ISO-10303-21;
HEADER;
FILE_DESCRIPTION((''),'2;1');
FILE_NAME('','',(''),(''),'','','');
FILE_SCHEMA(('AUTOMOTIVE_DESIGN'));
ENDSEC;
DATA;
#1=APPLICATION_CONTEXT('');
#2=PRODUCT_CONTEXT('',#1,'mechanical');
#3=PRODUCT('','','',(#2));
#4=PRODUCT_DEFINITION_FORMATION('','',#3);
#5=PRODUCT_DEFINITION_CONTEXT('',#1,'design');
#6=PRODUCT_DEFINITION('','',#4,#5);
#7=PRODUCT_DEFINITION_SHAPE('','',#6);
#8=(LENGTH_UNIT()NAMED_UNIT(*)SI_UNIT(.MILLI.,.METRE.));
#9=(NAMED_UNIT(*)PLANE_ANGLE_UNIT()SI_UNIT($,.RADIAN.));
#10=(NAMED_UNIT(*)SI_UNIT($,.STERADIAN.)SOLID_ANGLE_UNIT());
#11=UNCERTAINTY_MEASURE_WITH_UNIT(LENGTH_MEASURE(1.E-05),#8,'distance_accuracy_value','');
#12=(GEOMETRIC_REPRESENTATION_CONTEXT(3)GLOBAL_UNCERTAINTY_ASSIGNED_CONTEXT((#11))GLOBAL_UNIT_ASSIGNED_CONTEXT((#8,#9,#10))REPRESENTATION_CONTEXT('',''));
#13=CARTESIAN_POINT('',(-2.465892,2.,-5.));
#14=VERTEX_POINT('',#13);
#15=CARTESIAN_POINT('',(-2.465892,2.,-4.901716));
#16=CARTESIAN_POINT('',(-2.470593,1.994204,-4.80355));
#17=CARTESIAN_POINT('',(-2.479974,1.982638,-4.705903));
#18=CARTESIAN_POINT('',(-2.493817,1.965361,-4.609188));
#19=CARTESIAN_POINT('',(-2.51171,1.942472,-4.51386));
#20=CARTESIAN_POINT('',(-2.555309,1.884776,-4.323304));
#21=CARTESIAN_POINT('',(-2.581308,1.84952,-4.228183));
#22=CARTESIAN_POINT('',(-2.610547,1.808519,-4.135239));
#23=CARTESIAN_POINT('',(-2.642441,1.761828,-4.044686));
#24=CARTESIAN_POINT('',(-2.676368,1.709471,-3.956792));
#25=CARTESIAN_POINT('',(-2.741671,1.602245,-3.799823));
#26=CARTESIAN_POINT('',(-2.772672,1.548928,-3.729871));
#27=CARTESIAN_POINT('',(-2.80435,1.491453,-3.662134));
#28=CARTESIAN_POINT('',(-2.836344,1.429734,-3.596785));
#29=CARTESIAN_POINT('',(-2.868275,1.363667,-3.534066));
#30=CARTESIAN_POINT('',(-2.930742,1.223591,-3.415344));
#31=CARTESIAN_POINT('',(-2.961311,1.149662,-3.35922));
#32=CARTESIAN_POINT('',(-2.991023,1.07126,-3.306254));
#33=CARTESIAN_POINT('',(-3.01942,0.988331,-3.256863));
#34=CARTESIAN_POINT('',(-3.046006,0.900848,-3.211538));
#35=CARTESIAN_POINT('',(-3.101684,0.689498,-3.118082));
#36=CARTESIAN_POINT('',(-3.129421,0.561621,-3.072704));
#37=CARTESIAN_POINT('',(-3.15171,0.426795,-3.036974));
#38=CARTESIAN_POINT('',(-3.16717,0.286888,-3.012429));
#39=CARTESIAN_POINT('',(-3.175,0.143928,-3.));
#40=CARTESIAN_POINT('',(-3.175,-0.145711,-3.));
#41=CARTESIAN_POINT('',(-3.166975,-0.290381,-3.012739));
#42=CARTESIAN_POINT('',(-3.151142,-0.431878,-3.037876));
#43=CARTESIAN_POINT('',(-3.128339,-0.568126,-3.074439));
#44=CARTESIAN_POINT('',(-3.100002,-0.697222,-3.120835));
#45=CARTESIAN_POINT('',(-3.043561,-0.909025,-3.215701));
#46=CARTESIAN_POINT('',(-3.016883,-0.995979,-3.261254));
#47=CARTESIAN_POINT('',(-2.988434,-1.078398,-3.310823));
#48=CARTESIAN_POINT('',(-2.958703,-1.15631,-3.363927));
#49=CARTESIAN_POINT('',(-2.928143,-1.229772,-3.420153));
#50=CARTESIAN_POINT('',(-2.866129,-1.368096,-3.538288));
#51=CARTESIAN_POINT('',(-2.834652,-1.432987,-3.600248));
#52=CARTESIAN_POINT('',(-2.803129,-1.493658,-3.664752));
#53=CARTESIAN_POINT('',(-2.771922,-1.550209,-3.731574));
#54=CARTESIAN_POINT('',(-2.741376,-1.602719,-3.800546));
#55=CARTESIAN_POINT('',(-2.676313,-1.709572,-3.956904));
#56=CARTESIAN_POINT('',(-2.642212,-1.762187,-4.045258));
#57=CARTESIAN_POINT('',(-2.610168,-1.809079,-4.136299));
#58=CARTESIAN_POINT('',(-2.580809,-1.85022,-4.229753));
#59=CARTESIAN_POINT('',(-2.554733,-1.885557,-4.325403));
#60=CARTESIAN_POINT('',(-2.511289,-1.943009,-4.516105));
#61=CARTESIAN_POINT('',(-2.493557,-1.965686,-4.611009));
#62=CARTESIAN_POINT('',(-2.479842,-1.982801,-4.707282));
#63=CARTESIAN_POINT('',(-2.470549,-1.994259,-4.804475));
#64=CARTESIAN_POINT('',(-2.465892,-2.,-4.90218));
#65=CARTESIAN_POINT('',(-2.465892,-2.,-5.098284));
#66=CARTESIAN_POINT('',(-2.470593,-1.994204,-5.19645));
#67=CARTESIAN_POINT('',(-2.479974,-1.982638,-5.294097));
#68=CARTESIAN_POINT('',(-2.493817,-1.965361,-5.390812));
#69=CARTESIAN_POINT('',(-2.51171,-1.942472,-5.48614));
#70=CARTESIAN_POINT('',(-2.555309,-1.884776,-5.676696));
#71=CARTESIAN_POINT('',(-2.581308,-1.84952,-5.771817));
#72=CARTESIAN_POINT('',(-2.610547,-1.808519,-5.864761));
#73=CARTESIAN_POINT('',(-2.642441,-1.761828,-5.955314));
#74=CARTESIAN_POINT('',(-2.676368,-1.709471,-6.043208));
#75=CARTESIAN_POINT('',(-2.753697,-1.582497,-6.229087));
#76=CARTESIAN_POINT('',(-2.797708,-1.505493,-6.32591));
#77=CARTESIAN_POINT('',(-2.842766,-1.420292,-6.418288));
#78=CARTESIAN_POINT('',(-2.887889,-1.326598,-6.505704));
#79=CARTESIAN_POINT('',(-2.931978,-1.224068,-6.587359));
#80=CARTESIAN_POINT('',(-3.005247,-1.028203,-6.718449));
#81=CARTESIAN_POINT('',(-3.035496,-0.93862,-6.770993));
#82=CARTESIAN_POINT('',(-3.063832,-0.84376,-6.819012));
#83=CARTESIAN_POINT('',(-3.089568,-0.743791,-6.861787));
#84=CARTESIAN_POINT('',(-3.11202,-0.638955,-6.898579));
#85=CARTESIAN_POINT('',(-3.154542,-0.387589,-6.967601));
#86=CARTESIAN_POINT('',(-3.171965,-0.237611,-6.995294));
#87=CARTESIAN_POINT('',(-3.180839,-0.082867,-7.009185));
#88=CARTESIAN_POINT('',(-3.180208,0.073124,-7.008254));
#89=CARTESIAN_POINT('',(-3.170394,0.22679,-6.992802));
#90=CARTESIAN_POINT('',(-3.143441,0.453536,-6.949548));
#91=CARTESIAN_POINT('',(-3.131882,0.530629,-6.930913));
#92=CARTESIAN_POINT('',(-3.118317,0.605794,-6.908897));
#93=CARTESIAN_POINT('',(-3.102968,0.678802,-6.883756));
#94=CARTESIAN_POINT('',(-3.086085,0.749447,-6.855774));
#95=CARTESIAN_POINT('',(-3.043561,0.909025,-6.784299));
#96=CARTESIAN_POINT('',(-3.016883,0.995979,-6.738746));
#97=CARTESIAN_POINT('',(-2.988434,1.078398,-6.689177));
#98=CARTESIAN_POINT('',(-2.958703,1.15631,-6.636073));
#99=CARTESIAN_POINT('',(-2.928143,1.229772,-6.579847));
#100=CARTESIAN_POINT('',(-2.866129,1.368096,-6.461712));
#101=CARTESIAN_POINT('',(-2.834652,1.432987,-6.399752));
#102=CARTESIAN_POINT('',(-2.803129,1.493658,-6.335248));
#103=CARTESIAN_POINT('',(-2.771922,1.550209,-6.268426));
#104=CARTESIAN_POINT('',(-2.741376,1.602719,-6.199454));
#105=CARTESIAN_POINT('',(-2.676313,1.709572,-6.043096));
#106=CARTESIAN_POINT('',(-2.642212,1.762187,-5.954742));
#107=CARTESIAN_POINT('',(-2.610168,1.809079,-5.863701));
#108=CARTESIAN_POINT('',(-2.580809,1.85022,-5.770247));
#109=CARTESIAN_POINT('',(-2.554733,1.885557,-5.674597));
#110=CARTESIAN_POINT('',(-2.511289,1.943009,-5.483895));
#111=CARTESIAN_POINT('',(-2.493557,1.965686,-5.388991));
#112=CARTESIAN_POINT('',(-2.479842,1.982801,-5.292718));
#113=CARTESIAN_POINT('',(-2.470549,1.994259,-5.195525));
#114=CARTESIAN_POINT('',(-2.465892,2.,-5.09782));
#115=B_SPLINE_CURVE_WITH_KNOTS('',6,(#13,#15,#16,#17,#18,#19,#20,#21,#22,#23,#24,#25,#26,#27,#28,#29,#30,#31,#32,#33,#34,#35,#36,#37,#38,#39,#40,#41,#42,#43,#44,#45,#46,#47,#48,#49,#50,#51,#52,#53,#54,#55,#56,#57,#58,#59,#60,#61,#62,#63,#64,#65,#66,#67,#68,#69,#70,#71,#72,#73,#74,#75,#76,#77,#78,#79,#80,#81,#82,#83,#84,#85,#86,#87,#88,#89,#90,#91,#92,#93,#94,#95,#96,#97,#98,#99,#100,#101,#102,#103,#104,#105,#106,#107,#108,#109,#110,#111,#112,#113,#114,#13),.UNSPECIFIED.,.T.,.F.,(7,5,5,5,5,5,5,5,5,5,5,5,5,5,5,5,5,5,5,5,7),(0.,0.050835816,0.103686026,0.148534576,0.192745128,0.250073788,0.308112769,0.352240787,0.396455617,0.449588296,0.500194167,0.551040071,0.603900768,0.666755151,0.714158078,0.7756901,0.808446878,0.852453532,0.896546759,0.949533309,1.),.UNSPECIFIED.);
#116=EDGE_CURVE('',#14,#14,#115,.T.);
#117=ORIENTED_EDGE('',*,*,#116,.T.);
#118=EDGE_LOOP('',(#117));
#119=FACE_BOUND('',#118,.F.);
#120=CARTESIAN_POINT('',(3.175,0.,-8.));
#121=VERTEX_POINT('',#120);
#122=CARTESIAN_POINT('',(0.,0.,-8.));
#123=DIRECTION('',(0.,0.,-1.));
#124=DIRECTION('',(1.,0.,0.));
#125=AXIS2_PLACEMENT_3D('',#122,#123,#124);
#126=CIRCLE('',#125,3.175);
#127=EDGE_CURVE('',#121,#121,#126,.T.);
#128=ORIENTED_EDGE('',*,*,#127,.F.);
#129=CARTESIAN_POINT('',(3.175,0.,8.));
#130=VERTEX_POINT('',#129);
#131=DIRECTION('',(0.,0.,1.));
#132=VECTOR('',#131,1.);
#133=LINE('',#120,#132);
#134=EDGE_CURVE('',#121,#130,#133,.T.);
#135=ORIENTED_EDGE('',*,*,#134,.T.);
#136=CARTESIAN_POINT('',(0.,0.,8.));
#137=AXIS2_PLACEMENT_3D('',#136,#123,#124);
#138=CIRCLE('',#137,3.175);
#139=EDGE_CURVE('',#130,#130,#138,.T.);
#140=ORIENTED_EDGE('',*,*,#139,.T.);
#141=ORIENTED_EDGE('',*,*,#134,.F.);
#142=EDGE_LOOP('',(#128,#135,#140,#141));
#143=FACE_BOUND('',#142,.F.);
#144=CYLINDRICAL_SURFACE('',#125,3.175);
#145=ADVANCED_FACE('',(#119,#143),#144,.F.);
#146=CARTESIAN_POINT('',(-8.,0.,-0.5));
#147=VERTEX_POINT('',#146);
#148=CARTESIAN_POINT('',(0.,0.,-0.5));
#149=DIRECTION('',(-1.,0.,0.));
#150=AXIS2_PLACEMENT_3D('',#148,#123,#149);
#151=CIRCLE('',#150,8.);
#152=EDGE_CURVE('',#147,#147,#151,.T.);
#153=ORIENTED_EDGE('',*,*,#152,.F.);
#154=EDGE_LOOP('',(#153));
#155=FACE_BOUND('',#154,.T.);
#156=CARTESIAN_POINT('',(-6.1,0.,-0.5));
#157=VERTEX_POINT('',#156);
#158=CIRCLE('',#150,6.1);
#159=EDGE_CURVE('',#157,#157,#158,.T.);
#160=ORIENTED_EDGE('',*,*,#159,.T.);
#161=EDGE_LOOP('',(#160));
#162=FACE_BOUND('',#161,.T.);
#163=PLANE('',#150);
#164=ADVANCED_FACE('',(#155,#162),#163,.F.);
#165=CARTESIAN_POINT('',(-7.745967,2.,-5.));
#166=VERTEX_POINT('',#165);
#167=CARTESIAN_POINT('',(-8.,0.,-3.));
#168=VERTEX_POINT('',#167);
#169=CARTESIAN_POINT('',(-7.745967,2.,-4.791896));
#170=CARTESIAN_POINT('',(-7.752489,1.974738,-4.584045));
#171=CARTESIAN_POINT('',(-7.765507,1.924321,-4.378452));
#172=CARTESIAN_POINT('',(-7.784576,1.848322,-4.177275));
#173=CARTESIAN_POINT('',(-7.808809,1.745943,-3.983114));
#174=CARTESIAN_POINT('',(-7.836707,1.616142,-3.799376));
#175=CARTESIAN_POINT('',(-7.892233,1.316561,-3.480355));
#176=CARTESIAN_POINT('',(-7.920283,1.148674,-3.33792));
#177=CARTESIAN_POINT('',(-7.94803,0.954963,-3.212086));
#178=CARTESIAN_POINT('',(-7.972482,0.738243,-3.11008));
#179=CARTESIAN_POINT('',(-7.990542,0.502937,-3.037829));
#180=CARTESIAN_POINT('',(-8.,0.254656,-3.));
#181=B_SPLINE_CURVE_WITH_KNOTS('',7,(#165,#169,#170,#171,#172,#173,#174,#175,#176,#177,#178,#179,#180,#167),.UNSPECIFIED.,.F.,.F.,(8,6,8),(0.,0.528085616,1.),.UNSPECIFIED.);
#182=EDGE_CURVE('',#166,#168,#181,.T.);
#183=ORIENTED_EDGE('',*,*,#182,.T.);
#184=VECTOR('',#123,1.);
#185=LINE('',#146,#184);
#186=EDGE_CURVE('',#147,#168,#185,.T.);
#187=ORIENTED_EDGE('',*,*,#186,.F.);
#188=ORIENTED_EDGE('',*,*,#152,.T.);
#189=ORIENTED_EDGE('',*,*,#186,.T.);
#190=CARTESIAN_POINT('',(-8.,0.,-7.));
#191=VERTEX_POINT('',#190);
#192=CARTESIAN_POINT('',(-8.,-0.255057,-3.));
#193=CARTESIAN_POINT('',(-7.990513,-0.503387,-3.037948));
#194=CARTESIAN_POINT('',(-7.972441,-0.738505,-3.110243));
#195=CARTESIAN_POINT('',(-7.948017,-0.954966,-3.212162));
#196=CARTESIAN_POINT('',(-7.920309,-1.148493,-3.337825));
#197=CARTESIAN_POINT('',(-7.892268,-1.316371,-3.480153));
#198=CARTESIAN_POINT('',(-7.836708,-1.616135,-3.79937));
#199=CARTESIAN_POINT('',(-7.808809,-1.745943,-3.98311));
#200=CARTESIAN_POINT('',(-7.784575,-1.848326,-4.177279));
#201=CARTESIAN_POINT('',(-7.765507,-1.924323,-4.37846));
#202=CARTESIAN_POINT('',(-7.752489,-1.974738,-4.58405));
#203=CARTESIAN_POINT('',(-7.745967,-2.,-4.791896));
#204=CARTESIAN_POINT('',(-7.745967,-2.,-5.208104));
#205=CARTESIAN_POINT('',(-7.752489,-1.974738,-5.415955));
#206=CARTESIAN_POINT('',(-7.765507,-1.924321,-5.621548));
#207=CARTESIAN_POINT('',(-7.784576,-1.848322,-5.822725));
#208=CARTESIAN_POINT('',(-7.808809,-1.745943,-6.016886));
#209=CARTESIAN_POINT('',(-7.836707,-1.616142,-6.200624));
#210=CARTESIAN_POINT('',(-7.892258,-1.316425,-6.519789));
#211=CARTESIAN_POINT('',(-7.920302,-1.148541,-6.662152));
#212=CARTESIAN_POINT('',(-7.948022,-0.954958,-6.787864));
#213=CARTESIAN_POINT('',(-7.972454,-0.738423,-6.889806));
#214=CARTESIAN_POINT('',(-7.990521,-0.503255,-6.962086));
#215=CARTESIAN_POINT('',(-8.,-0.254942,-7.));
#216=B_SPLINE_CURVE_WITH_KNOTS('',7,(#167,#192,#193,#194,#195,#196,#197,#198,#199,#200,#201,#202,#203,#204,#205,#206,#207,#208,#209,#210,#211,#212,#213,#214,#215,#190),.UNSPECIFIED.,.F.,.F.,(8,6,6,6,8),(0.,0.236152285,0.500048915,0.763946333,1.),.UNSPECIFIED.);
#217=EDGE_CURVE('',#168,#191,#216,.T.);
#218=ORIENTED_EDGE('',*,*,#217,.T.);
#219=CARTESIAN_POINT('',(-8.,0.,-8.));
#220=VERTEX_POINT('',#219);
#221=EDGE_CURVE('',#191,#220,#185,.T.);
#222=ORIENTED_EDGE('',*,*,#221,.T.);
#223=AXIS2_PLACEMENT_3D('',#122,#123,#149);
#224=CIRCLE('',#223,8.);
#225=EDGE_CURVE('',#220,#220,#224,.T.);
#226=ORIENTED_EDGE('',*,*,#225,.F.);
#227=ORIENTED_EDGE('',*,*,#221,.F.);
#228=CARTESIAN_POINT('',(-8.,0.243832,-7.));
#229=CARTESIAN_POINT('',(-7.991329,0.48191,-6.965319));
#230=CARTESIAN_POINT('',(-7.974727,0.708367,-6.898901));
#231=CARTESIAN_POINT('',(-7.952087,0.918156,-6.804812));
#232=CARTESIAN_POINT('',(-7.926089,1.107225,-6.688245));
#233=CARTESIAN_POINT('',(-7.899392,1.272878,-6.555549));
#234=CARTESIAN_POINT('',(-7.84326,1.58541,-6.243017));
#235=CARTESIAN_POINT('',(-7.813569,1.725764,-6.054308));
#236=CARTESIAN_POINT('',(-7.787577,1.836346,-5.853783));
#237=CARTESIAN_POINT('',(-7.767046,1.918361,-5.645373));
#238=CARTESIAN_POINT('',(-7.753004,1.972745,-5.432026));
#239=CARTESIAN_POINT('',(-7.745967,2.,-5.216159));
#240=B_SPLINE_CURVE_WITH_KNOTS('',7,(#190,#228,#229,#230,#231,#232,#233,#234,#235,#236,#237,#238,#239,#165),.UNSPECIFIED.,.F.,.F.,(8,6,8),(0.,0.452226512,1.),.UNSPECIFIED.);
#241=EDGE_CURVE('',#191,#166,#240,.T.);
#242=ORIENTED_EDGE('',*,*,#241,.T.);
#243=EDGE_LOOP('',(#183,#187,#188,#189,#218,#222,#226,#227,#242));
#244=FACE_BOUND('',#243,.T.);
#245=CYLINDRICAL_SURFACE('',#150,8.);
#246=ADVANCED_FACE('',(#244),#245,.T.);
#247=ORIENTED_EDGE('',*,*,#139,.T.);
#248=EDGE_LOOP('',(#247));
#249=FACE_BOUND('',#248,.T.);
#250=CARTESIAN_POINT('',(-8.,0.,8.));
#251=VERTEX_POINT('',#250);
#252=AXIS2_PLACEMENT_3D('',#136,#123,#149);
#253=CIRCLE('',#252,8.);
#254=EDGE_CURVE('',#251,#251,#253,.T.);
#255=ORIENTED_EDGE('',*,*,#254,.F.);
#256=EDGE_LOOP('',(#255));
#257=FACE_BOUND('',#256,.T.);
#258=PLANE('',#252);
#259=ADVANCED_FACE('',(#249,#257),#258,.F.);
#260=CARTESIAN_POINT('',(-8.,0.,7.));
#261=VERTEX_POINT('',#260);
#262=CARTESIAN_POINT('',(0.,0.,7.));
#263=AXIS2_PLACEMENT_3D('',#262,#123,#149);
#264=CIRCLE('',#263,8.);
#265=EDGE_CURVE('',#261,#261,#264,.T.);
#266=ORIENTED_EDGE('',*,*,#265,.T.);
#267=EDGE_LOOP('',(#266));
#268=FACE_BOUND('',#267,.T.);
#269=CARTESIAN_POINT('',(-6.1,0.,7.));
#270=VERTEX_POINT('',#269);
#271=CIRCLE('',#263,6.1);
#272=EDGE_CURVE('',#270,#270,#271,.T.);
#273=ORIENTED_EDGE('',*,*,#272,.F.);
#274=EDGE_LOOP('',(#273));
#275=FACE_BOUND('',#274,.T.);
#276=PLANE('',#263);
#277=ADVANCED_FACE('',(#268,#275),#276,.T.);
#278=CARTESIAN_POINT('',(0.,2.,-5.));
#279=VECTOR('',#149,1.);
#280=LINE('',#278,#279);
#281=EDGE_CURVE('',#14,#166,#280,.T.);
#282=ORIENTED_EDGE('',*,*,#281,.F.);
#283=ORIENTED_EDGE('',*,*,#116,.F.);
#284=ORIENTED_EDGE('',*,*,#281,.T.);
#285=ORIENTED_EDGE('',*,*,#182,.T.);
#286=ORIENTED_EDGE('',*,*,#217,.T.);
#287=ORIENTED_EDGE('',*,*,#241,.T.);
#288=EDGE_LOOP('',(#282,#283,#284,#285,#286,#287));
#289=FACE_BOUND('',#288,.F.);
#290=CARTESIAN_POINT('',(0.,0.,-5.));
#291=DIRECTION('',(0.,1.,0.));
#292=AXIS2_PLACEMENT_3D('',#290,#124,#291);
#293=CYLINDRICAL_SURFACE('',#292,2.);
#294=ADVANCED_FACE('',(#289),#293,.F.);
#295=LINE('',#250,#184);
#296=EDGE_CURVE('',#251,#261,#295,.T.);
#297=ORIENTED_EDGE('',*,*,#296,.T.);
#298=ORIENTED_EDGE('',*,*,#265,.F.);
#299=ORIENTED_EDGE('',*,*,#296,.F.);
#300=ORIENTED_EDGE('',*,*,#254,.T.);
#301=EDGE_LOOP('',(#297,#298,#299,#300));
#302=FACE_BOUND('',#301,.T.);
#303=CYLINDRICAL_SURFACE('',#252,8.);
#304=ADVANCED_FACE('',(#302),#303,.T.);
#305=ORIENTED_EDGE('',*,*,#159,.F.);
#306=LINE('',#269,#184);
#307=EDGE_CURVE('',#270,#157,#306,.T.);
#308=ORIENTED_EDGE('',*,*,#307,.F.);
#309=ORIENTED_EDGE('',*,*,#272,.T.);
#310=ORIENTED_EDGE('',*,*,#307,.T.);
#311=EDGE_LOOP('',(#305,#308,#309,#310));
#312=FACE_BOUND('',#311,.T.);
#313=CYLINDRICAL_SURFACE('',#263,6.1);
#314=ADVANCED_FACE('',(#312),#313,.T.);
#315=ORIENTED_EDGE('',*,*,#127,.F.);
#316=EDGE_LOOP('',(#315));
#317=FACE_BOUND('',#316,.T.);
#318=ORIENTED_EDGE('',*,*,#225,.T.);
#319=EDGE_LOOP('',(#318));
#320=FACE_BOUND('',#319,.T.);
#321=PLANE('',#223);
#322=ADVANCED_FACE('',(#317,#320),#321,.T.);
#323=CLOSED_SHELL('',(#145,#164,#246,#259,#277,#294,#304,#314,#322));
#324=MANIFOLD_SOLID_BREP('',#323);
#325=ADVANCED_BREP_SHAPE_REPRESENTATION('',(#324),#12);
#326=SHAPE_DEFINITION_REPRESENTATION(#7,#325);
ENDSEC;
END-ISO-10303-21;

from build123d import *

# Parameters (mm, degrees)
F2_R     = 3.175
F3_DEPTH = 25
F4_R     = 2
F5_DEPTH = 25


with BuildPart() as f1:
    # F0 (on Front) → F1 (revolve)
    with BuildSketch(Plane.XZ):
        Polygon((-8, -8), (0, -8), (0, 8), (-8, 8), (-8, 7), (-6.1, 7), (-6.1, -0.5), (-8, -0.5), align=None)
    revolve(axis=Axis((0, 0, -0.818246), (0, 0, -1)))

    # F2 (on face) → F3 (cut)
    with BuildSketch(Plane(origin=(0, 0, -8), x_dir=(1, 0, 0), z_dir=(0, 0, -1))):
        Circle(F2_R)
    extrude(amount=-F3_DEPTH, mode=Mode.SUBTRACT)

    # F4 (on Right) → F5 (cut)
    with BuildSketch(Plane.YZ):
        with Locations((0, -5)):
            Circle(F4_R)
    extrude(amount=-F5_DEPTH, mode=Mode.SUBTRACT)


solid = f1.part
